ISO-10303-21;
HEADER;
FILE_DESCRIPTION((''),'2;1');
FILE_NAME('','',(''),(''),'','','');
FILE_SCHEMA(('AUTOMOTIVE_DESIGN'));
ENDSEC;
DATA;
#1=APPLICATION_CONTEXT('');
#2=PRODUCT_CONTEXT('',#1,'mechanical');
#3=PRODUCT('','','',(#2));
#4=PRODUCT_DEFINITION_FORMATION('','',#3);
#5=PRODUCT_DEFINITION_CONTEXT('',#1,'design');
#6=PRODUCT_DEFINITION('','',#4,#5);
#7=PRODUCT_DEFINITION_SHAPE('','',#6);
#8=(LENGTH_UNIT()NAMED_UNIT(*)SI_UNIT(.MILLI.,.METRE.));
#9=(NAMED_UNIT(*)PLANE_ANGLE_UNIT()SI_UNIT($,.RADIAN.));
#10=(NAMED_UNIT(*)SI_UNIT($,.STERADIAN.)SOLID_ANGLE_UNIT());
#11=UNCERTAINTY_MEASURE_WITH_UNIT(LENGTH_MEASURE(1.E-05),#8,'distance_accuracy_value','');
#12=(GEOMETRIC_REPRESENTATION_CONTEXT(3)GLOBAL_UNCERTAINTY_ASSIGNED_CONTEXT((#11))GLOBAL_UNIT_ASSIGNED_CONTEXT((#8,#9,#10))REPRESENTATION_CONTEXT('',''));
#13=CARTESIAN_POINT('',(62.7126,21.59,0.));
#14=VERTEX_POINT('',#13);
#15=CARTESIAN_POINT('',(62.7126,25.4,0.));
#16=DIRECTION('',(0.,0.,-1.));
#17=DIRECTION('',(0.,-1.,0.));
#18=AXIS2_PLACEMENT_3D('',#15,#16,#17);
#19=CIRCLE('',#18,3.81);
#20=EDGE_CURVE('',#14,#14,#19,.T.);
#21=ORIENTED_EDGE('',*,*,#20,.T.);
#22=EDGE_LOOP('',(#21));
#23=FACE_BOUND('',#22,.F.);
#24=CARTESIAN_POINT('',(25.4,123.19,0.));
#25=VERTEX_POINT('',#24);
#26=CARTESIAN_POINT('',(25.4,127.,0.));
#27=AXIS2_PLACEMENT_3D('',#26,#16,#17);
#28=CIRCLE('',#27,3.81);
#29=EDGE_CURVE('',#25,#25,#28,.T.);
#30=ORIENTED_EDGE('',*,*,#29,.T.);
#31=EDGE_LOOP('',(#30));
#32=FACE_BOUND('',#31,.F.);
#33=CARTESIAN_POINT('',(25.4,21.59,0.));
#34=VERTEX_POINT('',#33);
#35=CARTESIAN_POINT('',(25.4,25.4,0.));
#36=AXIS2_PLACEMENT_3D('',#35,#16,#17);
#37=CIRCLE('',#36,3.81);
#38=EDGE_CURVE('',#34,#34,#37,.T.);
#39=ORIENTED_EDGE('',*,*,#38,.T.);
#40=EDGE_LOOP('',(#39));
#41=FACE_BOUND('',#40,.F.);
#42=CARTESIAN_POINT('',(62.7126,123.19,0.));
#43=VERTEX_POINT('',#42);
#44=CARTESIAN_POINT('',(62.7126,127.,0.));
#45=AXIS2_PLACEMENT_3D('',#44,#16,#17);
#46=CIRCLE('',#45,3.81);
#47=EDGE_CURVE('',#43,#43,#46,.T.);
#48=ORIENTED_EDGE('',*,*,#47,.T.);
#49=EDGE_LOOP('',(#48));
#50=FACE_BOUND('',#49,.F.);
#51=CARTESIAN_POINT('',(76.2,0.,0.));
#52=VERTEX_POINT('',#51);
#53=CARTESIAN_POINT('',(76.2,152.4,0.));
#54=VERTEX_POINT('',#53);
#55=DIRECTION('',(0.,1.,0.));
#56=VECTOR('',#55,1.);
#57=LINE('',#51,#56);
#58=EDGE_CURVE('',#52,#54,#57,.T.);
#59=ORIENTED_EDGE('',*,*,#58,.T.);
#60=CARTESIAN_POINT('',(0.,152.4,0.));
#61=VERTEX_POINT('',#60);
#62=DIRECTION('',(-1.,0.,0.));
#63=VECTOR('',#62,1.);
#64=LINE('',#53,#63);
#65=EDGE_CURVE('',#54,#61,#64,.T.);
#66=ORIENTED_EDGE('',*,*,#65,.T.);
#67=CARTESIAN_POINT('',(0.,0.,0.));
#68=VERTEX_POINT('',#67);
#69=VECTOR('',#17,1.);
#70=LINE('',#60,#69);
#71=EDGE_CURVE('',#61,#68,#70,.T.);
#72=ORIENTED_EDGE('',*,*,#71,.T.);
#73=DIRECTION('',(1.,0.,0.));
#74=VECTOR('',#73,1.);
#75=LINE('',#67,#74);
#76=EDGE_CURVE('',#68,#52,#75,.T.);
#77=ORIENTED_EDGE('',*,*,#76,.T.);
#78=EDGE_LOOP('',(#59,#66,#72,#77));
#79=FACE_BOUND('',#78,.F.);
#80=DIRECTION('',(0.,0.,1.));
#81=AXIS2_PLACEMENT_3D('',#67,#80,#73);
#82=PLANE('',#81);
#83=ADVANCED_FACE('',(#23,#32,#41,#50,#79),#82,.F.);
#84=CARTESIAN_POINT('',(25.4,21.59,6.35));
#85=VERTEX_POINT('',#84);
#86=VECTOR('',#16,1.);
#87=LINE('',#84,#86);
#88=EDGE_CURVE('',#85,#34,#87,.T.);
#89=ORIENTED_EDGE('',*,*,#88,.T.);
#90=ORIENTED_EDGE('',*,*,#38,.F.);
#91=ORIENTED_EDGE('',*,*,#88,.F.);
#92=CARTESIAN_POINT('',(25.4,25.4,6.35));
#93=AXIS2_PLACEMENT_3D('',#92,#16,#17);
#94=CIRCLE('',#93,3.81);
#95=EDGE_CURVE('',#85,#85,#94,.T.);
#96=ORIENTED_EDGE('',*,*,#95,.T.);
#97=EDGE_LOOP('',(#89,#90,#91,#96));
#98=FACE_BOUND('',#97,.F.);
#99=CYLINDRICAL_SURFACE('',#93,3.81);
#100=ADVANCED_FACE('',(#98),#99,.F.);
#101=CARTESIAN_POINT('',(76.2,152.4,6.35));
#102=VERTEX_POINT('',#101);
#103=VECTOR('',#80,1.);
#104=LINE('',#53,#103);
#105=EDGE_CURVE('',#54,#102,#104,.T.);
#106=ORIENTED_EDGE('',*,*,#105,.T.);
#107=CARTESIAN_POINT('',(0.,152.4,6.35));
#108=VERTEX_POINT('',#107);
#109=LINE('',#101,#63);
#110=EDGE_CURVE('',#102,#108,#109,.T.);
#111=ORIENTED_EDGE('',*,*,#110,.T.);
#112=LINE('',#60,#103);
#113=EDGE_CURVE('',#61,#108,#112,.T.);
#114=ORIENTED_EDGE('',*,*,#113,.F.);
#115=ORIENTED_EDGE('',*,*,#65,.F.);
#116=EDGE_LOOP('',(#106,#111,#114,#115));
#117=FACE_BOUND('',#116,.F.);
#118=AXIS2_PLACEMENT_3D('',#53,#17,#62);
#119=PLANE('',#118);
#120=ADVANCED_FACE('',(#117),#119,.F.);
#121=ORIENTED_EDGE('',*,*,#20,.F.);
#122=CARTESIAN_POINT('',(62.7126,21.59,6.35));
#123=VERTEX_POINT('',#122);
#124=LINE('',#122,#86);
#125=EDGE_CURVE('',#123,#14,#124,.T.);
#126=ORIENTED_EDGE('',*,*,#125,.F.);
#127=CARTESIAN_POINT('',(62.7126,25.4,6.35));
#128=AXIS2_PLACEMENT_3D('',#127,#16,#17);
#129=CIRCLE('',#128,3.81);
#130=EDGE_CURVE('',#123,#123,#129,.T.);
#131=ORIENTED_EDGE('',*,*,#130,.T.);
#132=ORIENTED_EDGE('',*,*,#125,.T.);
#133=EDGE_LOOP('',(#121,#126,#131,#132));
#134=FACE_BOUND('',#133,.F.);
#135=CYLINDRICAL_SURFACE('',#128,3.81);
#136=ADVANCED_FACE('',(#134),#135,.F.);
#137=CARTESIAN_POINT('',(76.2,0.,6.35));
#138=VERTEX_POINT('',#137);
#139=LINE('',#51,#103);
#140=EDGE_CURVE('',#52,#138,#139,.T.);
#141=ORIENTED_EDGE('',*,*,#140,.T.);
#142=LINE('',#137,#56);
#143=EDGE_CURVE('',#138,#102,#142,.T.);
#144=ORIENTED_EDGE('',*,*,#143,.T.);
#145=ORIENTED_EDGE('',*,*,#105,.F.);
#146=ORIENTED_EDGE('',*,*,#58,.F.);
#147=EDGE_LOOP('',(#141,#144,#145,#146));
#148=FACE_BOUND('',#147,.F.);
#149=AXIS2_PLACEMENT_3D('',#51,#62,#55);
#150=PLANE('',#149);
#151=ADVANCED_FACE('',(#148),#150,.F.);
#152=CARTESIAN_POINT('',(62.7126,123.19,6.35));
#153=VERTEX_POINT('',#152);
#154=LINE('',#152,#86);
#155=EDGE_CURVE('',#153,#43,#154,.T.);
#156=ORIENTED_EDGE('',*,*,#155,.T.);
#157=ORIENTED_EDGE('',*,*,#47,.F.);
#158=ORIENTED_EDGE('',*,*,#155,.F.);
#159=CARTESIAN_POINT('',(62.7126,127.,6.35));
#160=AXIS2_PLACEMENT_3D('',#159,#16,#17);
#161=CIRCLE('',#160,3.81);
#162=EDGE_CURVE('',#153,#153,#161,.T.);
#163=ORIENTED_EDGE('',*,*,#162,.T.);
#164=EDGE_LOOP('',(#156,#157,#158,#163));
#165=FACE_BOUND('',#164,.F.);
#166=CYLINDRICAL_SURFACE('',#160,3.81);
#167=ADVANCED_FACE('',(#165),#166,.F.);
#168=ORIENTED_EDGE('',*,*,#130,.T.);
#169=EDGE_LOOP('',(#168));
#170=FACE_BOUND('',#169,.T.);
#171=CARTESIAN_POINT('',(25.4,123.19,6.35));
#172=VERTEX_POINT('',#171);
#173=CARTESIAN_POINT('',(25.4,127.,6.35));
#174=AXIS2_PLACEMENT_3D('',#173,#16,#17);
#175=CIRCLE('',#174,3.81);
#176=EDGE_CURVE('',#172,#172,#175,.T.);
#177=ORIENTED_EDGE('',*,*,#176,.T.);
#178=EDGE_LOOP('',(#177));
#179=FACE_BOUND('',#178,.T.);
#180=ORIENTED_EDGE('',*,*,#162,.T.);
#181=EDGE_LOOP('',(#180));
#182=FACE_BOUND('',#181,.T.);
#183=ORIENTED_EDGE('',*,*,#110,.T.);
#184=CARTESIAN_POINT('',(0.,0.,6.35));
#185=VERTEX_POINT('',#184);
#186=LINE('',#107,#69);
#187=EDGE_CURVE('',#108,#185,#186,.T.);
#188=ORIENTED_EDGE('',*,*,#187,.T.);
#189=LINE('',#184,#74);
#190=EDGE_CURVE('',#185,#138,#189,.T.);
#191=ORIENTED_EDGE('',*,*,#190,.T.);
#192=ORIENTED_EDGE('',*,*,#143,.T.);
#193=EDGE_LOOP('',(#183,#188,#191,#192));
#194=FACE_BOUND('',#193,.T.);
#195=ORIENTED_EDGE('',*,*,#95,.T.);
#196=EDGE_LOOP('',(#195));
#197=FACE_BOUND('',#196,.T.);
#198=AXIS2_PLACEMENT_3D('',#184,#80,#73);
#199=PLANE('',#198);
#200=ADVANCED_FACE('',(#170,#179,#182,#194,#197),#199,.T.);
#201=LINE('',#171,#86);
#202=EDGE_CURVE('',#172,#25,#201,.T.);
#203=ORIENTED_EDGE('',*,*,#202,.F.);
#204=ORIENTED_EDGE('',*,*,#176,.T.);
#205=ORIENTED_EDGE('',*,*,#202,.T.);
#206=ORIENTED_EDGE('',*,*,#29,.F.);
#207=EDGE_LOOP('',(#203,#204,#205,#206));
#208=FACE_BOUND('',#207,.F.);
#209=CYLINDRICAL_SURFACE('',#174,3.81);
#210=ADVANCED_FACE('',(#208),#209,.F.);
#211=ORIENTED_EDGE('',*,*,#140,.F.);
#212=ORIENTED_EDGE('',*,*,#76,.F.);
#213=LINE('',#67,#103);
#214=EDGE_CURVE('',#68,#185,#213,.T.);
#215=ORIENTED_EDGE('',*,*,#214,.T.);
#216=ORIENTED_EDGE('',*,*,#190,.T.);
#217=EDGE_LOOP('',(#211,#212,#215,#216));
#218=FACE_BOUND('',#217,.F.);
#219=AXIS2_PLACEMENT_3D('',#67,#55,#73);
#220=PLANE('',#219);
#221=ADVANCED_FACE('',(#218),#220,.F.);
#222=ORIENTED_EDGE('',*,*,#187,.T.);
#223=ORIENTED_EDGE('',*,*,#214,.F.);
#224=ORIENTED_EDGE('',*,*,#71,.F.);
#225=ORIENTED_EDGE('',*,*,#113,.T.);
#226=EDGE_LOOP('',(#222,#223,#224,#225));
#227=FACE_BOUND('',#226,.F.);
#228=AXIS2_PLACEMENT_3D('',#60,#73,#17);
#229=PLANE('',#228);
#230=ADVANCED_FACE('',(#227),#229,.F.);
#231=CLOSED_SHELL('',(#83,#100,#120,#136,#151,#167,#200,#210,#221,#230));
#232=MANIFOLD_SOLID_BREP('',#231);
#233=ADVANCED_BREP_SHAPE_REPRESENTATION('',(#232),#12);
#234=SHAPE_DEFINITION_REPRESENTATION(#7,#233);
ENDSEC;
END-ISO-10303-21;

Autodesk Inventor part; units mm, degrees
ref_plane "YZ Plane" through (0, 0, 0) normal (1, 0, 0) x (0, 1, 0)
ref_plane "XZ Plane" through (0, 0, 0) normal (0, 1, 0) x (-1, 0, 0)
ref_plane "XY Plane" through (0, 0, 0) normal (0, 0, 1) x (1, 0, 0)
sketch "Sketch1" plane through (0, 0, 0) normal (0, 0, 1) x (1, 0, 0)
  line L0 (0, 0) -> (76.2, 0)
  line L1 (76.2, 0) -> (76.2, 152.4)
  line L2 (76.2, 152.4) -> (0, 152.4)
  line L3 (0, 152.4) -> (0, 0)
  dimension "d0" = 152.4
  dimension "d1" = 76.2
extrude "Extrusion1" add sketch "Sketch1" along normal blind 6.35
sketch "Sketch2" plane through (0, 0, 6.35) normal (0, 0, 1) x (1, 0, 0)
  line L0 (0, 0) -> (0, 152.4) projected
  line L1 (76.2, 0) -> (0, 0) projected
  line L2 (76.2, 152.4) -> (76.2, 0) projected
  point P0 (25.4, 127)
  point P1 (62.7126, 127)
  point P2 (62.7126, 25.4)
  point P3 (25.4, 25.4)
  dimension "d4" = 101.6
  dimension "d5" = 25.4
  dimension "d7" = 25.4
  dimension "d8" = 13.4874
hole "Hole1" at (25.4, 127, 6.35) at (62.7126, 127, 6.35) at (62.7126, 25.4, 6.35) at (25.4, 25.4, 6.35) direction (0, 0, -1) diameter 7.62 end through all
properties part number "front frame plate"
